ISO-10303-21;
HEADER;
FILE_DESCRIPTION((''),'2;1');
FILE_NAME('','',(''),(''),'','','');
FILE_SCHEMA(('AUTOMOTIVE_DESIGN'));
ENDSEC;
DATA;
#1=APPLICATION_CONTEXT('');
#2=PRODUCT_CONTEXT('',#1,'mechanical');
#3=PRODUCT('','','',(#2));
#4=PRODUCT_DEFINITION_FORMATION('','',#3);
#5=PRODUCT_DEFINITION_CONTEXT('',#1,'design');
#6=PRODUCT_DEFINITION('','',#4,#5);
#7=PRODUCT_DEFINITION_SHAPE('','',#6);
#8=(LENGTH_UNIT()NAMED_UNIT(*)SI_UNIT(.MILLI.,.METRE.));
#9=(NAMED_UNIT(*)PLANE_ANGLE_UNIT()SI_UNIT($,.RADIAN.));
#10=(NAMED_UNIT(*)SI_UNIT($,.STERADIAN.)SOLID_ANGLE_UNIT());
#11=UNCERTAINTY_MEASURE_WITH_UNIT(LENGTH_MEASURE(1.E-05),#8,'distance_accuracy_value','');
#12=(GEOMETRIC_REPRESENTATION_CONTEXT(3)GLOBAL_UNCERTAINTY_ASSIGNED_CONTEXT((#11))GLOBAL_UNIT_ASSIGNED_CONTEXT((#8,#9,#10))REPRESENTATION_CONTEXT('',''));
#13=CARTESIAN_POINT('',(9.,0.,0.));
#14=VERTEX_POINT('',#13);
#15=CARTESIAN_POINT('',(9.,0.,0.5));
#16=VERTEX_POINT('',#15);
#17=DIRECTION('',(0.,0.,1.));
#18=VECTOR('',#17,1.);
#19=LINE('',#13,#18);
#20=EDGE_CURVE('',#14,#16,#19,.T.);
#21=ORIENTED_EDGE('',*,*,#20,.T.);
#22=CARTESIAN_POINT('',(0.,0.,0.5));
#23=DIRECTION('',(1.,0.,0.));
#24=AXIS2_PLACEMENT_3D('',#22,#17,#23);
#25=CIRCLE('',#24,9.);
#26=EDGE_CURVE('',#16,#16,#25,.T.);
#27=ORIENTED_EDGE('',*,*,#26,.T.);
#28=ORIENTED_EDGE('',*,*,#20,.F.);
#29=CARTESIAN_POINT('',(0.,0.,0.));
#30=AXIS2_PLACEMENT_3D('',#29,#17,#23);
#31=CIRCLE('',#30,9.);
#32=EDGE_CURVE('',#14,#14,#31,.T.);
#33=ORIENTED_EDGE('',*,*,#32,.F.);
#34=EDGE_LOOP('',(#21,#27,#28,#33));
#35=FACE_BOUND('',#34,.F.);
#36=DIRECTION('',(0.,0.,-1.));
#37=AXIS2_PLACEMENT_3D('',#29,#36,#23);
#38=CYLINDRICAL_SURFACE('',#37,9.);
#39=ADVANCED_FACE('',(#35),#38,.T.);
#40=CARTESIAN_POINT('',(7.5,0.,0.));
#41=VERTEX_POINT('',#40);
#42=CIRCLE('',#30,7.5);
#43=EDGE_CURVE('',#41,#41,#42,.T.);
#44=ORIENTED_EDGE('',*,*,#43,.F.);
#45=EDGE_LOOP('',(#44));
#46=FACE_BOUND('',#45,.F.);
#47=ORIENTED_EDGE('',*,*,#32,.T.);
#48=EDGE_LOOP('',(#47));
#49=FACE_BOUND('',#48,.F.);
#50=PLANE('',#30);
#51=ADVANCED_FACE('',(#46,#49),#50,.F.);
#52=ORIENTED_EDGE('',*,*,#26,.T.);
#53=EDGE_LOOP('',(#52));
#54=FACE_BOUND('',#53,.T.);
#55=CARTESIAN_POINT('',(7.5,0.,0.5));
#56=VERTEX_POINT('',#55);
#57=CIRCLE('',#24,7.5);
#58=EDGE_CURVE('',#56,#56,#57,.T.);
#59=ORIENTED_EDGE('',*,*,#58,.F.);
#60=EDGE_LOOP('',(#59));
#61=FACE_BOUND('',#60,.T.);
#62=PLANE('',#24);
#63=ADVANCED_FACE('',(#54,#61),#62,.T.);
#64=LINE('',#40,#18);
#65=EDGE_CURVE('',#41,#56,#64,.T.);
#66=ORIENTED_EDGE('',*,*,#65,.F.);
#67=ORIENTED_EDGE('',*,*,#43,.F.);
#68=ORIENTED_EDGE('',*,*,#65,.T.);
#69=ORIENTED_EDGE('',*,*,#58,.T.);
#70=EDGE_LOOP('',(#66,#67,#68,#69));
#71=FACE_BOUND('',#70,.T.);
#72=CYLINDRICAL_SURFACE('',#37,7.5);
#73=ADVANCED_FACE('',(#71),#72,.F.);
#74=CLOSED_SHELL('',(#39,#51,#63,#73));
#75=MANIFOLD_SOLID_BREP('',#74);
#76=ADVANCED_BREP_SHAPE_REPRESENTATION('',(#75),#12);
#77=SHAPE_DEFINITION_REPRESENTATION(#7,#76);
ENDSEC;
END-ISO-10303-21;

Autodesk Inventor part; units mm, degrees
ref_plane "YZ Plane" through (0, 0, 0) normal (1, 0, 0) x (0, 1, 0)
ref_plane "XZ Plane" through (0, 0, 0) normal (0, 1, 0) x (-1, 0, 0)
ref_plane "XY Plane" through (0, 0, 0) normal (0, 0, 1) x (1, 0, 0)
sketch "スケッチ1" plane through (0, 0, 0) normal (0, 0, 1) x (1, 0, 0)
  circle A0 centre (0, 0) radius 7.5
  circle A1 centre (0, 0) radius 9
  dimension "d0" = 15
  dimension "d1" = 18
extrude "押し出し1" add sketch "スケッチ1" along normal blind 0.5
properties part number "ワッシャD18d15m0.5" material "真鍮"
